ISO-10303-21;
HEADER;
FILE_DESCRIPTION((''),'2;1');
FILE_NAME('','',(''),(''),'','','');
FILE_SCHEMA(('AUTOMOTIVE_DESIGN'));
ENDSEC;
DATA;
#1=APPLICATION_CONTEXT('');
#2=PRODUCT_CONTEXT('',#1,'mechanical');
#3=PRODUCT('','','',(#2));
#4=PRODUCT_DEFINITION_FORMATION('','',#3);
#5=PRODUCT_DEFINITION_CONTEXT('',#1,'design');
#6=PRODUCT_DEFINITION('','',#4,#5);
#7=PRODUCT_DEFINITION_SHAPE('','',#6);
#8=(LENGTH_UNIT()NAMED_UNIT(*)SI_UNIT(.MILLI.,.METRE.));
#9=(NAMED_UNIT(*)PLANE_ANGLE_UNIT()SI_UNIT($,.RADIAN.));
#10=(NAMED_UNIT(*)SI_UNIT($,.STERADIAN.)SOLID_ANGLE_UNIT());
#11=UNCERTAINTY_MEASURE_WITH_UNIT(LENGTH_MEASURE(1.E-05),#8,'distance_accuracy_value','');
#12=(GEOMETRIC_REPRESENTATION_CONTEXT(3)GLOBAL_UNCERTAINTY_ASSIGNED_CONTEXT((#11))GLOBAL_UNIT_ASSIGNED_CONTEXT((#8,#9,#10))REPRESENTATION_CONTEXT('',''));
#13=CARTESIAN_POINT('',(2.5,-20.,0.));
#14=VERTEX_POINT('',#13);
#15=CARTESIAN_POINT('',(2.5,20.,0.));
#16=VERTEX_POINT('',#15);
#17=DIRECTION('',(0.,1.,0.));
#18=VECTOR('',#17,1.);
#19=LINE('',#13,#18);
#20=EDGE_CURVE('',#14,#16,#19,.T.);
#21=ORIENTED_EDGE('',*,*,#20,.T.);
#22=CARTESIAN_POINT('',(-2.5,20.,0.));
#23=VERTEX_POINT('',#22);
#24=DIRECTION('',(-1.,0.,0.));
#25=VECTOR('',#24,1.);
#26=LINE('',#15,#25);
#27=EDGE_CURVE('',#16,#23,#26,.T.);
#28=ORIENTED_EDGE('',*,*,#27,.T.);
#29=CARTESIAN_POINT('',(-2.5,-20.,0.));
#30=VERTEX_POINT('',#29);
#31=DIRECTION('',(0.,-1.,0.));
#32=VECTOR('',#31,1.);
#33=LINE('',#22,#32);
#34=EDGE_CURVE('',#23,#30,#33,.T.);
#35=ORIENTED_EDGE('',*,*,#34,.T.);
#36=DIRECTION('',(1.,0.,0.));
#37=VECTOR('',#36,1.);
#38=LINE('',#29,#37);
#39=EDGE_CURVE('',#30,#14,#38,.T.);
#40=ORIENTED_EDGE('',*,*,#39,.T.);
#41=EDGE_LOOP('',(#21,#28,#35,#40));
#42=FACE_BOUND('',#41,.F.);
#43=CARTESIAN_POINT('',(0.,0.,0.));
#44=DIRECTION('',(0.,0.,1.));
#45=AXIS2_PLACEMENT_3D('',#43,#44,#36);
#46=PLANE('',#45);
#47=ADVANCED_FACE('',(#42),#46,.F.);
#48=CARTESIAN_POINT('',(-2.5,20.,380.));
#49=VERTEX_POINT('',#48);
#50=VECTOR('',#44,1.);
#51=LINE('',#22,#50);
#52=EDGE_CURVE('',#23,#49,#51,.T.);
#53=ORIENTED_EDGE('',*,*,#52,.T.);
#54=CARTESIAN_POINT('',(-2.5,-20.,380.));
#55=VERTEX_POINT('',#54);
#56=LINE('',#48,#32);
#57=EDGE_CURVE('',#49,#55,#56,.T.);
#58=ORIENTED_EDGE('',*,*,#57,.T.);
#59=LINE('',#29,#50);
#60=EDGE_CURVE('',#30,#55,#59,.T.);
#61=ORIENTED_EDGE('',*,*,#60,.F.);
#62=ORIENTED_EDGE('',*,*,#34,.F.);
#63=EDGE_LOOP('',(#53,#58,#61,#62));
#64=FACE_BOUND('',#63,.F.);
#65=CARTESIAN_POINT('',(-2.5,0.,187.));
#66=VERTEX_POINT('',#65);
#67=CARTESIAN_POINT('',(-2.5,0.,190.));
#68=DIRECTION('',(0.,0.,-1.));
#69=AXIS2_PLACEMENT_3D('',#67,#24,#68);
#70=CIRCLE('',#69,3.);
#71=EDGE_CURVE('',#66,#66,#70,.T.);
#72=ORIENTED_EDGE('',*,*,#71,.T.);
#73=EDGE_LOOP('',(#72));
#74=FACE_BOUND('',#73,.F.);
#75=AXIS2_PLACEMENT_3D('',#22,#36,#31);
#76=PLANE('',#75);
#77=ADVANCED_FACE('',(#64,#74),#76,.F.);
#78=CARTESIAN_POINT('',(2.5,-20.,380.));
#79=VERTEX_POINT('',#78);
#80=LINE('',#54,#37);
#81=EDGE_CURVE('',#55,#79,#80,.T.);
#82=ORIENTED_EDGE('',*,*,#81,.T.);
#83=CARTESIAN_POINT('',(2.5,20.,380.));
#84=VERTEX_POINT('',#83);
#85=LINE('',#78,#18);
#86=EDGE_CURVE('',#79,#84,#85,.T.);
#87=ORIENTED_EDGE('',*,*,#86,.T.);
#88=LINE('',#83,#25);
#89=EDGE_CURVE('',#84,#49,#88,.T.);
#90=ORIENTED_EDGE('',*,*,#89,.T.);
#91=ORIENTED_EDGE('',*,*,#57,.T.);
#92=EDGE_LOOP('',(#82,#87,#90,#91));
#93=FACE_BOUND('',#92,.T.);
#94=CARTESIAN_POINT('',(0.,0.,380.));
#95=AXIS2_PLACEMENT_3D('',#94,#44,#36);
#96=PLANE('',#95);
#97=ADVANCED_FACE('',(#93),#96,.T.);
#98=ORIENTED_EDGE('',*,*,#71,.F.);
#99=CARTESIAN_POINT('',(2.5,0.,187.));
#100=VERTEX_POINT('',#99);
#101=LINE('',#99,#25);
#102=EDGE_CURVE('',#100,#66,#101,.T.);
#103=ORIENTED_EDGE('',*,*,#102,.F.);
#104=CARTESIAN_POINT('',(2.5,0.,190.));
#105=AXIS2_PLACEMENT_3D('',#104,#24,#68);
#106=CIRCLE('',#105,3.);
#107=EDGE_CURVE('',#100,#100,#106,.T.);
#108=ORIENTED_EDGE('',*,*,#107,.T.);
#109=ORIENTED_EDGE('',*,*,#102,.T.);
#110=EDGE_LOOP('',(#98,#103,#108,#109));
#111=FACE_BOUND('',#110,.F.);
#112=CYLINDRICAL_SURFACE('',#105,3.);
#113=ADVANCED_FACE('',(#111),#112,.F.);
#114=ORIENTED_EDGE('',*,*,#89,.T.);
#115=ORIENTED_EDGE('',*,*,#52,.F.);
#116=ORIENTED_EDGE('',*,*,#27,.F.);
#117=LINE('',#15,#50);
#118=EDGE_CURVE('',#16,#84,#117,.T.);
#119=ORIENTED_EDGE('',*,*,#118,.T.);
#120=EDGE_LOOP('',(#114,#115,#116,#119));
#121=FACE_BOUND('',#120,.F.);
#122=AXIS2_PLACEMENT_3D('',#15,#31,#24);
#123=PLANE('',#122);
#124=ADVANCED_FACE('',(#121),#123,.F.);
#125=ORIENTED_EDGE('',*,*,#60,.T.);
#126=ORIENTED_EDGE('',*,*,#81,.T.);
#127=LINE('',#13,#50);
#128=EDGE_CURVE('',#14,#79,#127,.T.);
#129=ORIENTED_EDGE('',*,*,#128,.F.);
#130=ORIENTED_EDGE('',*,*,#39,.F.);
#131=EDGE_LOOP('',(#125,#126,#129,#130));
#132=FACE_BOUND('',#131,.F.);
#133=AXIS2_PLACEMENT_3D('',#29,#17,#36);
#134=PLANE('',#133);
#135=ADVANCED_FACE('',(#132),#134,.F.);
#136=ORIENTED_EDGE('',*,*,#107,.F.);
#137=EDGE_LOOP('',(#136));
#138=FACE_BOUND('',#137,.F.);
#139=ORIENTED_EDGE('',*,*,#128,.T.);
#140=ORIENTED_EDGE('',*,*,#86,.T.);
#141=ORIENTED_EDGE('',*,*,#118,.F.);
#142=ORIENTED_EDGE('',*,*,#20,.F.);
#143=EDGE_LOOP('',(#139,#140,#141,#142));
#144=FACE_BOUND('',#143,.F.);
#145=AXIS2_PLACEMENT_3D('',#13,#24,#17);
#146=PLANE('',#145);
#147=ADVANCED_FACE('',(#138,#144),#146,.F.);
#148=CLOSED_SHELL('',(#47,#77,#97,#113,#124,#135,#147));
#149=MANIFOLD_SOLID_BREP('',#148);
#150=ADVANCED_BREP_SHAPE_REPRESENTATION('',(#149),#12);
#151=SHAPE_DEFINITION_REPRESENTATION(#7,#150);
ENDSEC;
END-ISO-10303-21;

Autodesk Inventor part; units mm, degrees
ref_plane "YZ Plane" through (0, 0, 0) normal (1, 0, 0) x (0, 1, 0)
ref_plane "XZ Plane" through (0, 0, 0) normal (0, 1, 0) x (-1, 0, 0)
ref_plane "XY Plane" through (0, 0, 0) normal (0, 0, 1) x (1, 0, 0)
sketch "Skizze1" plane through (0, 0, 0) normal (0, 0, 1) x (1, 0, 0)
  line L0 (-2.5, -20) -> (2.5, -20)
  line L1 (2.5, -20) -> (2.5, 20)
  line L2 (2.5, 20) -> (-2.5, 20)
  line L3 (-2.5, 20) -> (-2.5, -20)
  line L4 (-2.5, -20) -> (2.5, 20) construction
  line L5 (2.5, -20) -> (-2.5, 20) construction
  point P0 (0, 0)
  dimension "d0" = 5
  dimension "d1" = 40
extrude "Extrusion1" add sketch "Skizze1" along normal blind 380
sketch "Skizze2" plane through (2.5, -20, 0) normal (1, 0, 0) x (0, 0, -1)
  line L0 (0, 0) -> (0, 40) projected
  line L1 (0, 40) -> (-380, 40) projected
  line L2 (-380, 0) -> (-380, 40) projected
  line L3 (0, 0) -> (-380, 0) projected
  point P0 (0, 20)
  point P1 (-190, 20)
  point P2 (0, 20)
  dimension "d4" = 380
  dimension "d5" = 190
hole "Bohrung1" at (2.5, 0, 190) direction (-1, 0, 0) diameter 6 end through all
equation "\"d5\" = 0.5 * d4"
properties part number "Querstrebe_camera" material "Holz (Eiche)"
